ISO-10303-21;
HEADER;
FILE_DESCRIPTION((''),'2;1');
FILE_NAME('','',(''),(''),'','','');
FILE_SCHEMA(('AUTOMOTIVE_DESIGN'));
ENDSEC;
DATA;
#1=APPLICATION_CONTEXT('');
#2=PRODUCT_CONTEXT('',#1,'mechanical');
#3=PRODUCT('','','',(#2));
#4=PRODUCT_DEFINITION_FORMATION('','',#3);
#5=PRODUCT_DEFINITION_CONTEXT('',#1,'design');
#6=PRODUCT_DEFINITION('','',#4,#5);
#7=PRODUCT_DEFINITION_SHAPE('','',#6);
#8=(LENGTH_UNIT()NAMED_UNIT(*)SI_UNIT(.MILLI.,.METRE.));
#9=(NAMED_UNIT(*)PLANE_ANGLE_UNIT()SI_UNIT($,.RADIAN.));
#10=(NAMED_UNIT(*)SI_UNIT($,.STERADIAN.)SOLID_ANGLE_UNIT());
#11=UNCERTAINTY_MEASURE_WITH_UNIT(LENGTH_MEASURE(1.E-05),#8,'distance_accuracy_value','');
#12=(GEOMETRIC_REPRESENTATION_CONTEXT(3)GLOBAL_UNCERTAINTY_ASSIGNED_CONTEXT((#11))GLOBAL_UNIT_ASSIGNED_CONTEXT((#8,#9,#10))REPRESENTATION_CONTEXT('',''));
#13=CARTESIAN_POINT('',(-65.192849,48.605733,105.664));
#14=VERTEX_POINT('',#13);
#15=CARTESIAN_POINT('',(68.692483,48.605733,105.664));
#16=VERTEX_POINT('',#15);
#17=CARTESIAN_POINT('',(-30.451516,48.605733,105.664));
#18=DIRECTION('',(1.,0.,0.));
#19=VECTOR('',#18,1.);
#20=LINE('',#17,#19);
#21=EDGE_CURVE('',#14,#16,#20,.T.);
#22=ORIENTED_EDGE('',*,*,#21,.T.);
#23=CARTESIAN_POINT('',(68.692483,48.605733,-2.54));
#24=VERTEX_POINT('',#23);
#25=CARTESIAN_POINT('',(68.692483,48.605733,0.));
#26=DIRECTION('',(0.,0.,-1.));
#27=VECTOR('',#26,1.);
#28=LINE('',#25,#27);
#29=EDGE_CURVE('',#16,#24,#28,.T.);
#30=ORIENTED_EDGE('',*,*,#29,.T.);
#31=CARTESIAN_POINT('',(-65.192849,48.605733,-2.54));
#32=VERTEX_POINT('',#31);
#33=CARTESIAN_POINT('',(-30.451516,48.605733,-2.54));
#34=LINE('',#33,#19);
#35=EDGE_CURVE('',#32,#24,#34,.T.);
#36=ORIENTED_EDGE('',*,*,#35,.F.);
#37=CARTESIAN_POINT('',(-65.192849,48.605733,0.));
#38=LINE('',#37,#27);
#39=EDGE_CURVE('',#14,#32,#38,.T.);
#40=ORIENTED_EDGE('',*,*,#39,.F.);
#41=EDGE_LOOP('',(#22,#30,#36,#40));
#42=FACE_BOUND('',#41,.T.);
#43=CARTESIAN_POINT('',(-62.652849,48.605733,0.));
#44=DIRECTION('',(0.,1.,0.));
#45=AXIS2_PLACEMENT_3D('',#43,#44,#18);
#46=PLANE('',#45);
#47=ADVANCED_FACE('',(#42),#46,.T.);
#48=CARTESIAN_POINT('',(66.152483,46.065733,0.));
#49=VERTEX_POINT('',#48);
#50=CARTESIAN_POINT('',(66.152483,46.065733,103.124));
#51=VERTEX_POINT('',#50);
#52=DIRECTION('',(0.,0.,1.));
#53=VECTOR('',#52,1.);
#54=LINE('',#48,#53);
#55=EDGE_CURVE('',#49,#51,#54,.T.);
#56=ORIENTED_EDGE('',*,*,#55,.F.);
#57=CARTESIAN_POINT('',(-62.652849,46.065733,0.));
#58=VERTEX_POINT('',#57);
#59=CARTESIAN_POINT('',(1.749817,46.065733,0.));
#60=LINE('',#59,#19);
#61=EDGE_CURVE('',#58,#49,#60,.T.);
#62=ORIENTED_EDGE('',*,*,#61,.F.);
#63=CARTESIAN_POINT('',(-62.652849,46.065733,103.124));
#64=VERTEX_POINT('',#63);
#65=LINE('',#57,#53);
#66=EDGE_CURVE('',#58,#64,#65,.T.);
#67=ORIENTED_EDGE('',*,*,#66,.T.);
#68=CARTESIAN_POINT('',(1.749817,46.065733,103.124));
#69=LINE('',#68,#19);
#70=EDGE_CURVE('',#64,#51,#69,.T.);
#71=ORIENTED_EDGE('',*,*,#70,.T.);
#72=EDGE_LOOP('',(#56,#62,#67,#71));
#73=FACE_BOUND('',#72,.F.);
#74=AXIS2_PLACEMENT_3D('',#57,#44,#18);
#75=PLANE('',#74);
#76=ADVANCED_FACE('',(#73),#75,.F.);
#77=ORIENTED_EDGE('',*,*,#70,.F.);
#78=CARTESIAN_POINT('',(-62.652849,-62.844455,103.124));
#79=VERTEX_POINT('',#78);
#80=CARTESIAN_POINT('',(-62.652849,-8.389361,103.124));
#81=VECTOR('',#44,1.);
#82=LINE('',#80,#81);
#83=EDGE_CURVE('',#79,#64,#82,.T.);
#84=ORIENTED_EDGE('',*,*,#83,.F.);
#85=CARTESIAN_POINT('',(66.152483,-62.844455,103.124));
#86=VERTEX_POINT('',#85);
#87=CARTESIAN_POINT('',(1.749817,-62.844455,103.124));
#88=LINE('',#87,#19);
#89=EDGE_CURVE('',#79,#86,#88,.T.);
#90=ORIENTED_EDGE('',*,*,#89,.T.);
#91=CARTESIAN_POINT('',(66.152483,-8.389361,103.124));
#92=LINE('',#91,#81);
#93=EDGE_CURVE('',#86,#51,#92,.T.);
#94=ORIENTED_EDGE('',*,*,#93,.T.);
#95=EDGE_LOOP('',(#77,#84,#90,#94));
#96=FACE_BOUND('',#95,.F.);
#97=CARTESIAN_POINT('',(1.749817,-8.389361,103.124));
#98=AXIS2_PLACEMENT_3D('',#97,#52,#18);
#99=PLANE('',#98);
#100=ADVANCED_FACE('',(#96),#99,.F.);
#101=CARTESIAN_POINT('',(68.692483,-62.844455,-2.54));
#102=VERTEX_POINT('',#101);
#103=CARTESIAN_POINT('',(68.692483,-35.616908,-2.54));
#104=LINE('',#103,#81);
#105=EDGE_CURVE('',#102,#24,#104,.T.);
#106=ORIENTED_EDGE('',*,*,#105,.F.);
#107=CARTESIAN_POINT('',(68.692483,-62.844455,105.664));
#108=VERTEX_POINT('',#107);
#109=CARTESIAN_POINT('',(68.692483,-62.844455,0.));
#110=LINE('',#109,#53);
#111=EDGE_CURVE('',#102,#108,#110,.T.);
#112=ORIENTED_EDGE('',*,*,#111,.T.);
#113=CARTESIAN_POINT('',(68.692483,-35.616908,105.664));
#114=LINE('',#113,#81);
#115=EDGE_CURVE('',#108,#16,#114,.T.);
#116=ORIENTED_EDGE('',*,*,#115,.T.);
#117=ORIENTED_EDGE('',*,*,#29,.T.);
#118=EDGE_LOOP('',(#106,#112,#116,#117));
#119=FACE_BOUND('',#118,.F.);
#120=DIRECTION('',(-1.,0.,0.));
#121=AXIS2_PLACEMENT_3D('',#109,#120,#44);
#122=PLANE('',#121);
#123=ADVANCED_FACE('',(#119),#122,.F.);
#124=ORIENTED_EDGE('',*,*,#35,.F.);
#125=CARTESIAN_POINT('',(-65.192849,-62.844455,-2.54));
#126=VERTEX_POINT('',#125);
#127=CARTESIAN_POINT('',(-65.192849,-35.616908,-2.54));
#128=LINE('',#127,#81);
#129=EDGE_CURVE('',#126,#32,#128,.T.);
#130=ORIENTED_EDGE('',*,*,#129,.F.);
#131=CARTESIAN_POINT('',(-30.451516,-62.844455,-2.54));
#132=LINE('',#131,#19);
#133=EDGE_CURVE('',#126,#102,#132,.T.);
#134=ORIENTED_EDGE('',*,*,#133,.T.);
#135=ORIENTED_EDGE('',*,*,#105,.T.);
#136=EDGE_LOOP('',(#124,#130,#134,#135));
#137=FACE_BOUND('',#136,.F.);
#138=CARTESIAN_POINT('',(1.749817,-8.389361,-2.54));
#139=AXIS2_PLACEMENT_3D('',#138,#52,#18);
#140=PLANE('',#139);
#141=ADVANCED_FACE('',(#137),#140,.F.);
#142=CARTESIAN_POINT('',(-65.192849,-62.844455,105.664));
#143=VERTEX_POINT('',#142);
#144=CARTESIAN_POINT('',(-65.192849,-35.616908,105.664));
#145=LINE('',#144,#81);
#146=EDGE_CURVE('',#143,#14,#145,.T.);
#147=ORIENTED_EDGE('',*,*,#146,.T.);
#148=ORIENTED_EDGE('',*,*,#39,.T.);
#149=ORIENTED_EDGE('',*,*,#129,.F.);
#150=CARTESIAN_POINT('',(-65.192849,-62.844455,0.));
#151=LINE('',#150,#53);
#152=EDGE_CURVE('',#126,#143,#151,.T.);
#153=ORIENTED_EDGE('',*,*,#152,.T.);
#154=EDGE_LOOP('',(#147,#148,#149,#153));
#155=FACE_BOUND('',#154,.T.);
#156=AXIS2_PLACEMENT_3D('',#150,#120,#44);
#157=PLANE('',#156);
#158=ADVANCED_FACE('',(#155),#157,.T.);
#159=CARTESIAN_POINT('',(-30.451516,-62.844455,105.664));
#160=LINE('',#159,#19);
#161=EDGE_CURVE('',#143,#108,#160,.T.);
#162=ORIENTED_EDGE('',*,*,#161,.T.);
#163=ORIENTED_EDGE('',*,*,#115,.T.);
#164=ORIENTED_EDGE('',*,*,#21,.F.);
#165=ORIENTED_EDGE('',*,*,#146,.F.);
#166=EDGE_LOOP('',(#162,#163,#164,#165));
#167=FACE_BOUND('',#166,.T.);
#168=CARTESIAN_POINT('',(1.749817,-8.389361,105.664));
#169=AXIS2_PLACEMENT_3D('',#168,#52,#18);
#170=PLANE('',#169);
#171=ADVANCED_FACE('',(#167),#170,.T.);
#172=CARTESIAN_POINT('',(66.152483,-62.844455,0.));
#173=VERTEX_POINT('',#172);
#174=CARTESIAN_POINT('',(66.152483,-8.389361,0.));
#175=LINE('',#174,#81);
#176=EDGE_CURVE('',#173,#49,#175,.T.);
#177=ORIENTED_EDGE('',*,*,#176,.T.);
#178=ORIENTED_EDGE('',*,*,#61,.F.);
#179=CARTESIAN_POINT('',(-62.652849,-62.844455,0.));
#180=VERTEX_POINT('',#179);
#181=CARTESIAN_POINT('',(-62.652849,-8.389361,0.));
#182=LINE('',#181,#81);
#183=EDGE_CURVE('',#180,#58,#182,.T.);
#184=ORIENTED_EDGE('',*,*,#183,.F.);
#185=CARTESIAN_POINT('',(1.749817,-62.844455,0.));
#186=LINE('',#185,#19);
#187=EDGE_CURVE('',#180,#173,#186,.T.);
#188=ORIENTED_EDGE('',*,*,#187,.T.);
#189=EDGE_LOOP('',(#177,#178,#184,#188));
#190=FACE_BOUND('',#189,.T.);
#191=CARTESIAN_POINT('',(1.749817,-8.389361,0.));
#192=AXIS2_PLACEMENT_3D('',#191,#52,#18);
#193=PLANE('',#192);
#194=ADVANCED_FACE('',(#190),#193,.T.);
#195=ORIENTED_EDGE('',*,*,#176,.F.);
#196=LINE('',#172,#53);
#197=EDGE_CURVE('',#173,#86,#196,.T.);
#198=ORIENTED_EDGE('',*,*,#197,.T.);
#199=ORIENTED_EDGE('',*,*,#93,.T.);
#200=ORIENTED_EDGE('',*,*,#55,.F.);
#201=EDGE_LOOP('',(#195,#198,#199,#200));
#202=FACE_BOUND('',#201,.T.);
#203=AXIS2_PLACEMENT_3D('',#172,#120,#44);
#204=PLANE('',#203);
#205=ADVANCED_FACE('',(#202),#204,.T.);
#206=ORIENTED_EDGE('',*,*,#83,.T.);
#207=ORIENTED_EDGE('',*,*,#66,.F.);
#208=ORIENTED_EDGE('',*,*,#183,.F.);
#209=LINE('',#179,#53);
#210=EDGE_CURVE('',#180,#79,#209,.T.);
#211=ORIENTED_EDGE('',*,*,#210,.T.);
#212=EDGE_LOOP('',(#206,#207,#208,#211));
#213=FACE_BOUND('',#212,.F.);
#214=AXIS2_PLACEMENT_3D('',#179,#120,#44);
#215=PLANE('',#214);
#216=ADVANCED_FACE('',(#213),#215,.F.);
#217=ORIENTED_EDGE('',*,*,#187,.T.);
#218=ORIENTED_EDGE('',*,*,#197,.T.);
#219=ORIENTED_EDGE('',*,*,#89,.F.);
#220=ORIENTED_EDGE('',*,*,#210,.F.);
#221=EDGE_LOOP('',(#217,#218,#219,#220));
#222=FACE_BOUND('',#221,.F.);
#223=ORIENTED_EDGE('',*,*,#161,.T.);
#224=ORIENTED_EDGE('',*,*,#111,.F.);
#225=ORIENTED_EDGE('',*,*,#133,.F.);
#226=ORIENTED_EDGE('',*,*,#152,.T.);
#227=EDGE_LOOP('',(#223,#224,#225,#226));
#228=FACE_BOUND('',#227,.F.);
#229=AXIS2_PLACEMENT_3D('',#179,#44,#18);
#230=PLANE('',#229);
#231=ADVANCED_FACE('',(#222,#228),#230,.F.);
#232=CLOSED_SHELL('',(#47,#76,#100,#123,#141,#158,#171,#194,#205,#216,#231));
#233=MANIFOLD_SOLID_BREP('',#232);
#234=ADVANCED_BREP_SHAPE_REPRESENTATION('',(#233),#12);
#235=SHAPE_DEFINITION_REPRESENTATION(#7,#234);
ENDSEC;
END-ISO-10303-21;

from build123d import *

# Parameters (mm, degrees)
F0_W     = 128.8053318858
F0_H     = 108.9101880789
F1_DEPTH = 103.124
F2_T     = 2.54


with BuildPart() as f1:
    # F0 (on Top) → F1 (new body)
    with BuildSketch(Plane.XY):
        with Locations((1.749817282, -8.3893612027)):
            Rectangle(F0_W, F0_H)
    extrude(amount=F1_DEPTH)

    # F2
    f2_openings = [f1.faces().sort_by_distance(p)[0] for p in [
        (1.749817, -62.844455, 51.562),
    ]]
    offset(amount=F2_T, openings=f2_openings, kind=Kind.INTERSECTION)


solid = f1.part
